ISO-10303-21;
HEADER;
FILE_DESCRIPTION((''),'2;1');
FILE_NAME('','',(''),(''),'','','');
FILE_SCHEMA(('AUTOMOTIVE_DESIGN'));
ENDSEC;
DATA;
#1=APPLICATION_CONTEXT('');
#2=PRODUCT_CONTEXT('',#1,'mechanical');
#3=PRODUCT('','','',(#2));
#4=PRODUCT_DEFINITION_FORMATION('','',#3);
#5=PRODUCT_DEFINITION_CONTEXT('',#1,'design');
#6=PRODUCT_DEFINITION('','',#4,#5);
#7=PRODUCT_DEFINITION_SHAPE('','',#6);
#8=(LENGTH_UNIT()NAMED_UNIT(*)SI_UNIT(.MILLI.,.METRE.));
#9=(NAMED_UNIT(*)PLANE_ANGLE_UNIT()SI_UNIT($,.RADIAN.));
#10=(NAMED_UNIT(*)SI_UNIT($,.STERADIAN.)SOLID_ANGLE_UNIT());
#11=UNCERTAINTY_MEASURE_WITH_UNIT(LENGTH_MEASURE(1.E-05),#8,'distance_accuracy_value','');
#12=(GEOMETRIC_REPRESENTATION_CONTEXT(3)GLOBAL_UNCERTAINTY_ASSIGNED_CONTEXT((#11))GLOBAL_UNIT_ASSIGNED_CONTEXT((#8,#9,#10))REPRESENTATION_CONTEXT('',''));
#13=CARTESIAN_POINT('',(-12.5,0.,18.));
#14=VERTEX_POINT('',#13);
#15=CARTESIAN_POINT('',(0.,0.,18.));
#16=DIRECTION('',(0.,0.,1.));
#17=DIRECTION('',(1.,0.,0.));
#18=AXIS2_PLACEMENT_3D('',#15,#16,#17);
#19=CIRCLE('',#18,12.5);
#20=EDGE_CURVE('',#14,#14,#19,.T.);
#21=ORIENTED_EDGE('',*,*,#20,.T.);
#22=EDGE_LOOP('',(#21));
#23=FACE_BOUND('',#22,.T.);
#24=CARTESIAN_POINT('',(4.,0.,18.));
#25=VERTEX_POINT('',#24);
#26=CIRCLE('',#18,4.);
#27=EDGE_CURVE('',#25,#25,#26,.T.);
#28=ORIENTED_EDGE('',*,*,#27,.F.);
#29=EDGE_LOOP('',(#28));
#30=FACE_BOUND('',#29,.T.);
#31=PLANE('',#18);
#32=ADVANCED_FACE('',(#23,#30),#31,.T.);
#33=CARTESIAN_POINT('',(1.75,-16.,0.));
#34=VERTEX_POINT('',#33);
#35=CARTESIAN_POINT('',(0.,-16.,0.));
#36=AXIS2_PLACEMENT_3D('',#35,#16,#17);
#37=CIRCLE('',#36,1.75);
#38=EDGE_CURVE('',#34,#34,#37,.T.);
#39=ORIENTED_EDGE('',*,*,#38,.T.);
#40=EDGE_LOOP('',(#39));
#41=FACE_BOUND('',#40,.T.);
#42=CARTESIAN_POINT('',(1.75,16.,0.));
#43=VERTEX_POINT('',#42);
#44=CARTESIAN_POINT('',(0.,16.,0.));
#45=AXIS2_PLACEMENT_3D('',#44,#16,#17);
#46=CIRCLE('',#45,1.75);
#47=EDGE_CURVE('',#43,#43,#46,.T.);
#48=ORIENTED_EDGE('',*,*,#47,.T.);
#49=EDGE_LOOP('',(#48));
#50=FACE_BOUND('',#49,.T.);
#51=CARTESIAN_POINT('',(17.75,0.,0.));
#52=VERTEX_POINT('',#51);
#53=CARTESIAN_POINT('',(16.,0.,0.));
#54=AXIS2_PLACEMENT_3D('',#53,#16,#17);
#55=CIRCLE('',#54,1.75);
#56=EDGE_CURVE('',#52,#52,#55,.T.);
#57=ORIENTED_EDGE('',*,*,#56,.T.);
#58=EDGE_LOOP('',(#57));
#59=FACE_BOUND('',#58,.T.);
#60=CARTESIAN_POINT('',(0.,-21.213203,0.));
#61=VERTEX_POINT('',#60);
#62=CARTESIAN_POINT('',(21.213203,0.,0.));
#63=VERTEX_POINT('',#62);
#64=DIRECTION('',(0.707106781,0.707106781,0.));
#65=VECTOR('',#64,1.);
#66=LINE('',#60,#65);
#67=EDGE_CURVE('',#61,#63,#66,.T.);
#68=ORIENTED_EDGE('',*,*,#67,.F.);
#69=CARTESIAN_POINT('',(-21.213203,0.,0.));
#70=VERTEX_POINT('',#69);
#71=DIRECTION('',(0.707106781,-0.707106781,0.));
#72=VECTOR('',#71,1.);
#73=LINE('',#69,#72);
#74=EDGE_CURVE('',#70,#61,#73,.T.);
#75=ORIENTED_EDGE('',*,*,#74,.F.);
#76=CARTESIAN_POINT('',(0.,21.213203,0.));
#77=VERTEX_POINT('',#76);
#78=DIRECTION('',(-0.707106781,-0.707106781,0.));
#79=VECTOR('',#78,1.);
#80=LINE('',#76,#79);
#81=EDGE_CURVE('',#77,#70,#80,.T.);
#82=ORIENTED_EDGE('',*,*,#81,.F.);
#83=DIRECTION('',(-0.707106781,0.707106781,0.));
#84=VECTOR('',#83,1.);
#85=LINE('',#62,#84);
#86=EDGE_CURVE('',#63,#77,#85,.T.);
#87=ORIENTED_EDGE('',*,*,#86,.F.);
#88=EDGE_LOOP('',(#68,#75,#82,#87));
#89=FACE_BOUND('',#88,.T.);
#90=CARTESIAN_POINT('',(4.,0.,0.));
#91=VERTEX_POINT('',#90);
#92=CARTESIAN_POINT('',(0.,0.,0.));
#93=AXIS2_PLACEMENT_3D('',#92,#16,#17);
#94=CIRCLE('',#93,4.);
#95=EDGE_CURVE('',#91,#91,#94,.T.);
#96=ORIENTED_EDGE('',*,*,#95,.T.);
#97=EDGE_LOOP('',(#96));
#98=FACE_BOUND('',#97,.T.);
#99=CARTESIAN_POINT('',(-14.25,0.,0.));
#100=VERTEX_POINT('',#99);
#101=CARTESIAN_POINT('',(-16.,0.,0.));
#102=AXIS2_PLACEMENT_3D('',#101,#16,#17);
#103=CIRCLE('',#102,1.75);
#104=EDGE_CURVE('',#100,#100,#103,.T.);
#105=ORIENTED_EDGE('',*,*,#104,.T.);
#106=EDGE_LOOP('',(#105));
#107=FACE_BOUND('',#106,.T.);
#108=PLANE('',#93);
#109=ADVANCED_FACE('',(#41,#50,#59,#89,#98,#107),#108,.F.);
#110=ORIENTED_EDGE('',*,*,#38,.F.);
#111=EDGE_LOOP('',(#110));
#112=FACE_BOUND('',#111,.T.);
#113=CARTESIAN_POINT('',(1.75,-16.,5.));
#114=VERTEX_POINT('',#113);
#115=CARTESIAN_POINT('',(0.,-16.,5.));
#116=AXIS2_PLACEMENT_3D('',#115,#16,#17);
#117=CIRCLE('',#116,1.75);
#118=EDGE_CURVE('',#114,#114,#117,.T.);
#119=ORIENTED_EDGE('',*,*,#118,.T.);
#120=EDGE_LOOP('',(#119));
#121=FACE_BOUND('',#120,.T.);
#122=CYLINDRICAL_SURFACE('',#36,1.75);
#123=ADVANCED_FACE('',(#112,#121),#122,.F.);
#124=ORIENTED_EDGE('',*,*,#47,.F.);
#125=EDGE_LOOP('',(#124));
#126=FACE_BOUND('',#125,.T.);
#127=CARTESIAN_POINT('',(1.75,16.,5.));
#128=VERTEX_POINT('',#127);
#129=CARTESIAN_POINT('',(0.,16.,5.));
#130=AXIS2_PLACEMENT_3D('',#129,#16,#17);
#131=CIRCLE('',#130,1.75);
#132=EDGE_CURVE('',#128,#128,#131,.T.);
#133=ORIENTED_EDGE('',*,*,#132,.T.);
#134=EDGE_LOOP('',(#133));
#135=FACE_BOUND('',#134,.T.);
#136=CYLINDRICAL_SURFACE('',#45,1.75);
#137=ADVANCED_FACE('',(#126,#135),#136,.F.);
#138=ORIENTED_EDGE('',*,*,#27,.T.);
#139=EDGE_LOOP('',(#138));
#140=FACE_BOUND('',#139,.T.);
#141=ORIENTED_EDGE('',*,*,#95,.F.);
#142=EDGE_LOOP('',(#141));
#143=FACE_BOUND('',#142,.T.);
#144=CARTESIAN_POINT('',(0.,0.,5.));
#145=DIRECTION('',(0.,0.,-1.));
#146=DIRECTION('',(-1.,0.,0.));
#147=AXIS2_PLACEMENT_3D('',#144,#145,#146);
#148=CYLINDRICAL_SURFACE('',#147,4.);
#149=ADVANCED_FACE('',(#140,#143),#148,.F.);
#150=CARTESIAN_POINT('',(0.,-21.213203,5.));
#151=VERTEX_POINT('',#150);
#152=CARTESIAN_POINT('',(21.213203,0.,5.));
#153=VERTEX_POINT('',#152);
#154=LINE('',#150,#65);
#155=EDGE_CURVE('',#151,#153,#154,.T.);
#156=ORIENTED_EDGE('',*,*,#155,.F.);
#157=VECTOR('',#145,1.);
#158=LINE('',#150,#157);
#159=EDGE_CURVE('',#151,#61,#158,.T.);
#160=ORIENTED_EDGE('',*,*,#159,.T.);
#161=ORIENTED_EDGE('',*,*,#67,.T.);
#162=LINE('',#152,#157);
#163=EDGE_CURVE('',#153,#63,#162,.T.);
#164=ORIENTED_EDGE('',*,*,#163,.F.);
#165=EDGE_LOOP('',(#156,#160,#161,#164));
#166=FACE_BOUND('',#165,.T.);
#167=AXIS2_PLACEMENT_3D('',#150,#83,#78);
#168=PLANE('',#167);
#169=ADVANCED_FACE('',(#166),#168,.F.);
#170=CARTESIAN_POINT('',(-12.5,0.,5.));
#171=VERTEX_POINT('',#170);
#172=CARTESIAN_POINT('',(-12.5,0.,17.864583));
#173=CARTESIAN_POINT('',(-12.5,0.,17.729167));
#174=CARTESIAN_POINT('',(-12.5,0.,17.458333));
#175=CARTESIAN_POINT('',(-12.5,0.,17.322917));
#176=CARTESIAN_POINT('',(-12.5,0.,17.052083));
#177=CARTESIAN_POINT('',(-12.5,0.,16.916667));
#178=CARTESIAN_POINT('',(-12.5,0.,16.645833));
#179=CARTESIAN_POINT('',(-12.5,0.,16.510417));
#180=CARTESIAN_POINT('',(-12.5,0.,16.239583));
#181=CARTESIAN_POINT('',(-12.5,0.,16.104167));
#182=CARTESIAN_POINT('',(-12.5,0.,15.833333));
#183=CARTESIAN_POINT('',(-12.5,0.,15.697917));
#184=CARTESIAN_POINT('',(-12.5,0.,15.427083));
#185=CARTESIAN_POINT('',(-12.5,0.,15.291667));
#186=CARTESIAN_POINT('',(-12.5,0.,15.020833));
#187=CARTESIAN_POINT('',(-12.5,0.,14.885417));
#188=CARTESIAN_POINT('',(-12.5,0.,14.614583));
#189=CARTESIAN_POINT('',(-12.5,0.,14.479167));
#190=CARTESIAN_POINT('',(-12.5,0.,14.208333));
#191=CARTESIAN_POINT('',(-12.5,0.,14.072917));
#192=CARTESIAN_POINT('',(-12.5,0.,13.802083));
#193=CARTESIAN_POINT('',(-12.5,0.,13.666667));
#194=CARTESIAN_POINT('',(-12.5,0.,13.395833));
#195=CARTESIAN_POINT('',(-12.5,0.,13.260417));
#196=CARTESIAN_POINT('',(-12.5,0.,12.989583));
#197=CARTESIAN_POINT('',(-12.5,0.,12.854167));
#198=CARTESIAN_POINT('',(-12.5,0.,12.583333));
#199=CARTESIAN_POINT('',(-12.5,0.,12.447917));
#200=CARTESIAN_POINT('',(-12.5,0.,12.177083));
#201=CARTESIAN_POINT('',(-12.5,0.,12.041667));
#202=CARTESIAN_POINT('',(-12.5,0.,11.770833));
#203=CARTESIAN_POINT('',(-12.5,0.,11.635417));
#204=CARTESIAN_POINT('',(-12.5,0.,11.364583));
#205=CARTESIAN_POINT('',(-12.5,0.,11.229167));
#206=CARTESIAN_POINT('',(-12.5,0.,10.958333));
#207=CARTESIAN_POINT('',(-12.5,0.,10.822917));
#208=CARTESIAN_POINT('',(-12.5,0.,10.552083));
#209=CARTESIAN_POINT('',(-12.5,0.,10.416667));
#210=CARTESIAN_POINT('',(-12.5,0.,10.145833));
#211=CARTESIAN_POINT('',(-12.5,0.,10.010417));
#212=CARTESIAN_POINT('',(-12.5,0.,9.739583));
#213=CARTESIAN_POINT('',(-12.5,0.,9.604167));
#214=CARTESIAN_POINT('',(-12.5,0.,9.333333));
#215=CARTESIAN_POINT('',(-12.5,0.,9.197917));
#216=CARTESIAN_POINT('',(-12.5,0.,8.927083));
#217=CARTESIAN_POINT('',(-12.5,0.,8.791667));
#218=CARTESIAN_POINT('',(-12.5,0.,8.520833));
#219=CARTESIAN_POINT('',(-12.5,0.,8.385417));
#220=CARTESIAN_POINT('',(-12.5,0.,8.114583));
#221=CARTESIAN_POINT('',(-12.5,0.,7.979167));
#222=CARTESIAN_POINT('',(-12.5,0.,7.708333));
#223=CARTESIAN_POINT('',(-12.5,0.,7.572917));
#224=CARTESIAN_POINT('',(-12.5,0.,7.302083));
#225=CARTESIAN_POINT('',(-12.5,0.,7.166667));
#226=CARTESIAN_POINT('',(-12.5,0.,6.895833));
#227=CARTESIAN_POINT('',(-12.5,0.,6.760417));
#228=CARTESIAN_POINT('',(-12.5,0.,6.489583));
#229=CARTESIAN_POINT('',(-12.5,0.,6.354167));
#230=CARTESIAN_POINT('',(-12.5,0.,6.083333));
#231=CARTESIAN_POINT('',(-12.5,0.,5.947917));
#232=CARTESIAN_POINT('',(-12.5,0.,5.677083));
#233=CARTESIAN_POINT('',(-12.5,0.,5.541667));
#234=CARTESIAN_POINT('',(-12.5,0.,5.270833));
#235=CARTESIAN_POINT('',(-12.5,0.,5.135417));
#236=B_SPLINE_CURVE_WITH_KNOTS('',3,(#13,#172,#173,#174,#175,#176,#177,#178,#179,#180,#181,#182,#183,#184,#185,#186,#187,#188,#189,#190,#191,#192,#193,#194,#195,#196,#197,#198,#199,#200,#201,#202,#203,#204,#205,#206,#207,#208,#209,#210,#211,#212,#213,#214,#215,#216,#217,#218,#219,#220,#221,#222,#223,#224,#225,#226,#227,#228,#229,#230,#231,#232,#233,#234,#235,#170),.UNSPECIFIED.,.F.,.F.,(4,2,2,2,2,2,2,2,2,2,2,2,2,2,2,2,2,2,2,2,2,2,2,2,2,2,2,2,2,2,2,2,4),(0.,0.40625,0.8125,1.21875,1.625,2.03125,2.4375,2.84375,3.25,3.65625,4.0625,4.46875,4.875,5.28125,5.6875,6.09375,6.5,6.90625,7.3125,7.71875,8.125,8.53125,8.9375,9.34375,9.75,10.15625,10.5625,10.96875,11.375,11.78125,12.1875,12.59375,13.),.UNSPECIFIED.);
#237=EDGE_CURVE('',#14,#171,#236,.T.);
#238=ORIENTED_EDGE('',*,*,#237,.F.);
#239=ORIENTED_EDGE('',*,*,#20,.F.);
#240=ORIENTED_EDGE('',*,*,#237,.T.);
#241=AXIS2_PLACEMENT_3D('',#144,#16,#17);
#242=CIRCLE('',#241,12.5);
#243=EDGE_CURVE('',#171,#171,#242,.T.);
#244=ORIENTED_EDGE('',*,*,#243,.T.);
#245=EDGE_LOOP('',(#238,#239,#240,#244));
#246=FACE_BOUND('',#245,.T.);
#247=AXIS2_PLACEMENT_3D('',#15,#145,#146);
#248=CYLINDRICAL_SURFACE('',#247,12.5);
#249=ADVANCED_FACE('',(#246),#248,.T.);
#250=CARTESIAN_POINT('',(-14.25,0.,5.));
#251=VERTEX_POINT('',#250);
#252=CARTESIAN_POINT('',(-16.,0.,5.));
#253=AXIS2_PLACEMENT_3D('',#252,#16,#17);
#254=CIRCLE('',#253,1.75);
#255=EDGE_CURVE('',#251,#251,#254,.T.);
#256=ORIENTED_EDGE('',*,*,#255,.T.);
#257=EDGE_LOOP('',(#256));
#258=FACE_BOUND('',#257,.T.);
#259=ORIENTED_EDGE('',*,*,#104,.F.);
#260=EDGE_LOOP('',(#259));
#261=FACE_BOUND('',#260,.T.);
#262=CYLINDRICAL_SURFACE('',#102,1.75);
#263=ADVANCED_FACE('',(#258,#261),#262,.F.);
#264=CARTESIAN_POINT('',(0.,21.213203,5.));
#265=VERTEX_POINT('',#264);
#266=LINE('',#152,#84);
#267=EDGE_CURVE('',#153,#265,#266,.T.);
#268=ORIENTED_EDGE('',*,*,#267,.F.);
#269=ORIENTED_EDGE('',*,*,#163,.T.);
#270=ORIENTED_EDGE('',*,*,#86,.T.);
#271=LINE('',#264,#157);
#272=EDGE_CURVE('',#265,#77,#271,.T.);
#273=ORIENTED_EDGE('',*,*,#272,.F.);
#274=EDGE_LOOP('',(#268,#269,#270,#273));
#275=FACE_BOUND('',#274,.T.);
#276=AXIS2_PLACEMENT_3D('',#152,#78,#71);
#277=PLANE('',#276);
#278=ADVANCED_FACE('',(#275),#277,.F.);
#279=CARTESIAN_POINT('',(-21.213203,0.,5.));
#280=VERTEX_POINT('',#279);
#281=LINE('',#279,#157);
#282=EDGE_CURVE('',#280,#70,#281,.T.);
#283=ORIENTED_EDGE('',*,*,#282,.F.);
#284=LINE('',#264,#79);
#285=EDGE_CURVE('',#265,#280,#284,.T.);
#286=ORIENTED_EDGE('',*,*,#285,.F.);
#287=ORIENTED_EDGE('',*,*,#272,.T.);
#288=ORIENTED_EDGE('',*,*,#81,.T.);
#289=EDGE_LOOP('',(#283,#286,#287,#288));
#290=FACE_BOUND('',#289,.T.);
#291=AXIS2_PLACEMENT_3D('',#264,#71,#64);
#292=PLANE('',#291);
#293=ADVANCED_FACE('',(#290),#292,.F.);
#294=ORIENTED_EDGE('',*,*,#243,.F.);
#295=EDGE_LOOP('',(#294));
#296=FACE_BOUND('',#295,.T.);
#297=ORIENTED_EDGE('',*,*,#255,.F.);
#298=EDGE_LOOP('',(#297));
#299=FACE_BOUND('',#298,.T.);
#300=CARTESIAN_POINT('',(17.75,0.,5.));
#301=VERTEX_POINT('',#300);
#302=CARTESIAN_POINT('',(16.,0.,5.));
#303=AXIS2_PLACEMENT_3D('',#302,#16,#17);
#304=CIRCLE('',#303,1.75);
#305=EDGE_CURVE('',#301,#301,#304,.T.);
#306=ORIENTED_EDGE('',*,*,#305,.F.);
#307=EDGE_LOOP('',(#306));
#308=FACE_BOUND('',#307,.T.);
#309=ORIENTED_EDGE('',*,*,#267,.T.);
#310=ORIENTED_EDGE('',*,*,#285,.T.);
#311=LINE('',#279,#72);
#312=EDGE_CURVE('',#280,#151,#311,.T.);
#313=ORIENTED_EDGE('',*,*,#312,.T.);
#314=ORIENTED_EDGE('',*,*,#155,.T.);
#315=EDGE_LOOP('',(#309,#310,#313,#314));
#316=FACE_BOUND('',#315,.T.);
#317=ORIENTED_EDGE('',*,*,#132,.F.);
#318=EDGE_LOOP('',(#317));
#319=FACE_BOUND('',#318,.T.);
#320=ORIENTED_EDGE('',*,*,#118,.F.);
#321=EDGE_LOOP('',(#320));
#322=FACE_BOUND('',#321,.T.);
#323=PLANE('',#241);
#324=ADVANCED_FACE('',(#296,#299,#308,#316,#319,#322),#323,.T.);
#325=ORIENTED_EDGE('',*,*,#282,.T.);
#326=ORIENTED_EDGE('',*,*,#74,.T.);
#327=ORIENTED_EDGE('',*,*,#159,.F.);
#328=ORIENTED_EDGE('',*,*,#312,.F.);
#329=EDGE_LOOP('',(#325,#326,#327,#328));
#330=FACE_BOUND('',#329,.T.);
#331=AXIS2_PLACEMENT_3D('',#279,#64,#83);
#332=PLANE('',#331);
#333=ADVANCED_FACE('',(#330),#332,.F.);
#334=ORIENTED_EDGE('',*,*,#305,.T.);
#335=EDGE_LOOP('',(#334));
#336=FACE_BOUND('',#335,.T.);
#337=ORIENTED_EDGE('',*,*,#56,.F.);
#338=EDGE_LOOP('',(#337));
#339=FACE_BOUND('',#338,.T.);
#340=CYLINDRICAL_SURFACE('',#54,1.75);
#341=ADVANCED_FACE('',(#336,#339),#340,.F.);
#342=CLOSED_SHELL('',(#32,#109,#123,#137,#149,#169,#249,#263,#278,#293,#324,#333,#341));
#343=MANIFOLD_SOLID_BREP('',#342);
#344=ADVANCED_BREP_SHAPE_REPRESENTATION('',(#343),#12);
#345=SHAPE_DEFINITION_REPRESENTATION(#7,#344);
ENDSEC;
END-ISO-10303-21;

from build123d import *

# Parameters (mm, degrees)
SKETCH_1_R          = 4
EXTRUDE_1_DEPTH     = 5
SKETCH_2_R          = 1.75
CUT_EXTRUDE_1_DEPTH = 5
SKETCH_3_R          = 12.5
SKETCH_3_R_2        = 4
EXTRUDE_2_DEPTH     = 13


with BuildPart() as part:
    # 草图1 → 凸台-拉伸1 (new body)
    with BuildSketch(Plane.XY):
        Polygon((0, 21.213203436), (-21.213203436, 0), (0, -21.213203436), (21.213203436, 0), align=None)
        Circle(SKETCH_1_R, mode=Mode.SUBTRACT)
    extrude(amount=EXTRUDE_1_DEPTH)

    # 草图2 → 切除-拉伸1 (cut)
    with BuildSketch(Plane.XY.offset(5)):
        with Locations((16, 0)):
            Circle(SKETCH_2_R)
        with Locations((0, -16)):
            Circle(SKETCH_2_R)
        with Locations((-16, 0)):
            Circle(SKETCH_2_R)
        with Locations((0, 16)):
            Circle(SKETCH_2_R)
    extrude(amount=-CUT_EXTRUDE_1_DEPTH, mode=Mode.SUBTRACT)

    # 草图3 → 凸台-拉伸2 (add)
    with BuildSketch(Plane.XY.offset(5)):
        with Locations(Location((0, 0, 0), (0, 0, 180))):
            Circle(SKETCH_3_R)
        Circle(SKETCH_3_R_2, mode=Mode.SUBTRACT)
    extrude(amount=EXTRUDE_2_DEPTH)


solid = part.part
